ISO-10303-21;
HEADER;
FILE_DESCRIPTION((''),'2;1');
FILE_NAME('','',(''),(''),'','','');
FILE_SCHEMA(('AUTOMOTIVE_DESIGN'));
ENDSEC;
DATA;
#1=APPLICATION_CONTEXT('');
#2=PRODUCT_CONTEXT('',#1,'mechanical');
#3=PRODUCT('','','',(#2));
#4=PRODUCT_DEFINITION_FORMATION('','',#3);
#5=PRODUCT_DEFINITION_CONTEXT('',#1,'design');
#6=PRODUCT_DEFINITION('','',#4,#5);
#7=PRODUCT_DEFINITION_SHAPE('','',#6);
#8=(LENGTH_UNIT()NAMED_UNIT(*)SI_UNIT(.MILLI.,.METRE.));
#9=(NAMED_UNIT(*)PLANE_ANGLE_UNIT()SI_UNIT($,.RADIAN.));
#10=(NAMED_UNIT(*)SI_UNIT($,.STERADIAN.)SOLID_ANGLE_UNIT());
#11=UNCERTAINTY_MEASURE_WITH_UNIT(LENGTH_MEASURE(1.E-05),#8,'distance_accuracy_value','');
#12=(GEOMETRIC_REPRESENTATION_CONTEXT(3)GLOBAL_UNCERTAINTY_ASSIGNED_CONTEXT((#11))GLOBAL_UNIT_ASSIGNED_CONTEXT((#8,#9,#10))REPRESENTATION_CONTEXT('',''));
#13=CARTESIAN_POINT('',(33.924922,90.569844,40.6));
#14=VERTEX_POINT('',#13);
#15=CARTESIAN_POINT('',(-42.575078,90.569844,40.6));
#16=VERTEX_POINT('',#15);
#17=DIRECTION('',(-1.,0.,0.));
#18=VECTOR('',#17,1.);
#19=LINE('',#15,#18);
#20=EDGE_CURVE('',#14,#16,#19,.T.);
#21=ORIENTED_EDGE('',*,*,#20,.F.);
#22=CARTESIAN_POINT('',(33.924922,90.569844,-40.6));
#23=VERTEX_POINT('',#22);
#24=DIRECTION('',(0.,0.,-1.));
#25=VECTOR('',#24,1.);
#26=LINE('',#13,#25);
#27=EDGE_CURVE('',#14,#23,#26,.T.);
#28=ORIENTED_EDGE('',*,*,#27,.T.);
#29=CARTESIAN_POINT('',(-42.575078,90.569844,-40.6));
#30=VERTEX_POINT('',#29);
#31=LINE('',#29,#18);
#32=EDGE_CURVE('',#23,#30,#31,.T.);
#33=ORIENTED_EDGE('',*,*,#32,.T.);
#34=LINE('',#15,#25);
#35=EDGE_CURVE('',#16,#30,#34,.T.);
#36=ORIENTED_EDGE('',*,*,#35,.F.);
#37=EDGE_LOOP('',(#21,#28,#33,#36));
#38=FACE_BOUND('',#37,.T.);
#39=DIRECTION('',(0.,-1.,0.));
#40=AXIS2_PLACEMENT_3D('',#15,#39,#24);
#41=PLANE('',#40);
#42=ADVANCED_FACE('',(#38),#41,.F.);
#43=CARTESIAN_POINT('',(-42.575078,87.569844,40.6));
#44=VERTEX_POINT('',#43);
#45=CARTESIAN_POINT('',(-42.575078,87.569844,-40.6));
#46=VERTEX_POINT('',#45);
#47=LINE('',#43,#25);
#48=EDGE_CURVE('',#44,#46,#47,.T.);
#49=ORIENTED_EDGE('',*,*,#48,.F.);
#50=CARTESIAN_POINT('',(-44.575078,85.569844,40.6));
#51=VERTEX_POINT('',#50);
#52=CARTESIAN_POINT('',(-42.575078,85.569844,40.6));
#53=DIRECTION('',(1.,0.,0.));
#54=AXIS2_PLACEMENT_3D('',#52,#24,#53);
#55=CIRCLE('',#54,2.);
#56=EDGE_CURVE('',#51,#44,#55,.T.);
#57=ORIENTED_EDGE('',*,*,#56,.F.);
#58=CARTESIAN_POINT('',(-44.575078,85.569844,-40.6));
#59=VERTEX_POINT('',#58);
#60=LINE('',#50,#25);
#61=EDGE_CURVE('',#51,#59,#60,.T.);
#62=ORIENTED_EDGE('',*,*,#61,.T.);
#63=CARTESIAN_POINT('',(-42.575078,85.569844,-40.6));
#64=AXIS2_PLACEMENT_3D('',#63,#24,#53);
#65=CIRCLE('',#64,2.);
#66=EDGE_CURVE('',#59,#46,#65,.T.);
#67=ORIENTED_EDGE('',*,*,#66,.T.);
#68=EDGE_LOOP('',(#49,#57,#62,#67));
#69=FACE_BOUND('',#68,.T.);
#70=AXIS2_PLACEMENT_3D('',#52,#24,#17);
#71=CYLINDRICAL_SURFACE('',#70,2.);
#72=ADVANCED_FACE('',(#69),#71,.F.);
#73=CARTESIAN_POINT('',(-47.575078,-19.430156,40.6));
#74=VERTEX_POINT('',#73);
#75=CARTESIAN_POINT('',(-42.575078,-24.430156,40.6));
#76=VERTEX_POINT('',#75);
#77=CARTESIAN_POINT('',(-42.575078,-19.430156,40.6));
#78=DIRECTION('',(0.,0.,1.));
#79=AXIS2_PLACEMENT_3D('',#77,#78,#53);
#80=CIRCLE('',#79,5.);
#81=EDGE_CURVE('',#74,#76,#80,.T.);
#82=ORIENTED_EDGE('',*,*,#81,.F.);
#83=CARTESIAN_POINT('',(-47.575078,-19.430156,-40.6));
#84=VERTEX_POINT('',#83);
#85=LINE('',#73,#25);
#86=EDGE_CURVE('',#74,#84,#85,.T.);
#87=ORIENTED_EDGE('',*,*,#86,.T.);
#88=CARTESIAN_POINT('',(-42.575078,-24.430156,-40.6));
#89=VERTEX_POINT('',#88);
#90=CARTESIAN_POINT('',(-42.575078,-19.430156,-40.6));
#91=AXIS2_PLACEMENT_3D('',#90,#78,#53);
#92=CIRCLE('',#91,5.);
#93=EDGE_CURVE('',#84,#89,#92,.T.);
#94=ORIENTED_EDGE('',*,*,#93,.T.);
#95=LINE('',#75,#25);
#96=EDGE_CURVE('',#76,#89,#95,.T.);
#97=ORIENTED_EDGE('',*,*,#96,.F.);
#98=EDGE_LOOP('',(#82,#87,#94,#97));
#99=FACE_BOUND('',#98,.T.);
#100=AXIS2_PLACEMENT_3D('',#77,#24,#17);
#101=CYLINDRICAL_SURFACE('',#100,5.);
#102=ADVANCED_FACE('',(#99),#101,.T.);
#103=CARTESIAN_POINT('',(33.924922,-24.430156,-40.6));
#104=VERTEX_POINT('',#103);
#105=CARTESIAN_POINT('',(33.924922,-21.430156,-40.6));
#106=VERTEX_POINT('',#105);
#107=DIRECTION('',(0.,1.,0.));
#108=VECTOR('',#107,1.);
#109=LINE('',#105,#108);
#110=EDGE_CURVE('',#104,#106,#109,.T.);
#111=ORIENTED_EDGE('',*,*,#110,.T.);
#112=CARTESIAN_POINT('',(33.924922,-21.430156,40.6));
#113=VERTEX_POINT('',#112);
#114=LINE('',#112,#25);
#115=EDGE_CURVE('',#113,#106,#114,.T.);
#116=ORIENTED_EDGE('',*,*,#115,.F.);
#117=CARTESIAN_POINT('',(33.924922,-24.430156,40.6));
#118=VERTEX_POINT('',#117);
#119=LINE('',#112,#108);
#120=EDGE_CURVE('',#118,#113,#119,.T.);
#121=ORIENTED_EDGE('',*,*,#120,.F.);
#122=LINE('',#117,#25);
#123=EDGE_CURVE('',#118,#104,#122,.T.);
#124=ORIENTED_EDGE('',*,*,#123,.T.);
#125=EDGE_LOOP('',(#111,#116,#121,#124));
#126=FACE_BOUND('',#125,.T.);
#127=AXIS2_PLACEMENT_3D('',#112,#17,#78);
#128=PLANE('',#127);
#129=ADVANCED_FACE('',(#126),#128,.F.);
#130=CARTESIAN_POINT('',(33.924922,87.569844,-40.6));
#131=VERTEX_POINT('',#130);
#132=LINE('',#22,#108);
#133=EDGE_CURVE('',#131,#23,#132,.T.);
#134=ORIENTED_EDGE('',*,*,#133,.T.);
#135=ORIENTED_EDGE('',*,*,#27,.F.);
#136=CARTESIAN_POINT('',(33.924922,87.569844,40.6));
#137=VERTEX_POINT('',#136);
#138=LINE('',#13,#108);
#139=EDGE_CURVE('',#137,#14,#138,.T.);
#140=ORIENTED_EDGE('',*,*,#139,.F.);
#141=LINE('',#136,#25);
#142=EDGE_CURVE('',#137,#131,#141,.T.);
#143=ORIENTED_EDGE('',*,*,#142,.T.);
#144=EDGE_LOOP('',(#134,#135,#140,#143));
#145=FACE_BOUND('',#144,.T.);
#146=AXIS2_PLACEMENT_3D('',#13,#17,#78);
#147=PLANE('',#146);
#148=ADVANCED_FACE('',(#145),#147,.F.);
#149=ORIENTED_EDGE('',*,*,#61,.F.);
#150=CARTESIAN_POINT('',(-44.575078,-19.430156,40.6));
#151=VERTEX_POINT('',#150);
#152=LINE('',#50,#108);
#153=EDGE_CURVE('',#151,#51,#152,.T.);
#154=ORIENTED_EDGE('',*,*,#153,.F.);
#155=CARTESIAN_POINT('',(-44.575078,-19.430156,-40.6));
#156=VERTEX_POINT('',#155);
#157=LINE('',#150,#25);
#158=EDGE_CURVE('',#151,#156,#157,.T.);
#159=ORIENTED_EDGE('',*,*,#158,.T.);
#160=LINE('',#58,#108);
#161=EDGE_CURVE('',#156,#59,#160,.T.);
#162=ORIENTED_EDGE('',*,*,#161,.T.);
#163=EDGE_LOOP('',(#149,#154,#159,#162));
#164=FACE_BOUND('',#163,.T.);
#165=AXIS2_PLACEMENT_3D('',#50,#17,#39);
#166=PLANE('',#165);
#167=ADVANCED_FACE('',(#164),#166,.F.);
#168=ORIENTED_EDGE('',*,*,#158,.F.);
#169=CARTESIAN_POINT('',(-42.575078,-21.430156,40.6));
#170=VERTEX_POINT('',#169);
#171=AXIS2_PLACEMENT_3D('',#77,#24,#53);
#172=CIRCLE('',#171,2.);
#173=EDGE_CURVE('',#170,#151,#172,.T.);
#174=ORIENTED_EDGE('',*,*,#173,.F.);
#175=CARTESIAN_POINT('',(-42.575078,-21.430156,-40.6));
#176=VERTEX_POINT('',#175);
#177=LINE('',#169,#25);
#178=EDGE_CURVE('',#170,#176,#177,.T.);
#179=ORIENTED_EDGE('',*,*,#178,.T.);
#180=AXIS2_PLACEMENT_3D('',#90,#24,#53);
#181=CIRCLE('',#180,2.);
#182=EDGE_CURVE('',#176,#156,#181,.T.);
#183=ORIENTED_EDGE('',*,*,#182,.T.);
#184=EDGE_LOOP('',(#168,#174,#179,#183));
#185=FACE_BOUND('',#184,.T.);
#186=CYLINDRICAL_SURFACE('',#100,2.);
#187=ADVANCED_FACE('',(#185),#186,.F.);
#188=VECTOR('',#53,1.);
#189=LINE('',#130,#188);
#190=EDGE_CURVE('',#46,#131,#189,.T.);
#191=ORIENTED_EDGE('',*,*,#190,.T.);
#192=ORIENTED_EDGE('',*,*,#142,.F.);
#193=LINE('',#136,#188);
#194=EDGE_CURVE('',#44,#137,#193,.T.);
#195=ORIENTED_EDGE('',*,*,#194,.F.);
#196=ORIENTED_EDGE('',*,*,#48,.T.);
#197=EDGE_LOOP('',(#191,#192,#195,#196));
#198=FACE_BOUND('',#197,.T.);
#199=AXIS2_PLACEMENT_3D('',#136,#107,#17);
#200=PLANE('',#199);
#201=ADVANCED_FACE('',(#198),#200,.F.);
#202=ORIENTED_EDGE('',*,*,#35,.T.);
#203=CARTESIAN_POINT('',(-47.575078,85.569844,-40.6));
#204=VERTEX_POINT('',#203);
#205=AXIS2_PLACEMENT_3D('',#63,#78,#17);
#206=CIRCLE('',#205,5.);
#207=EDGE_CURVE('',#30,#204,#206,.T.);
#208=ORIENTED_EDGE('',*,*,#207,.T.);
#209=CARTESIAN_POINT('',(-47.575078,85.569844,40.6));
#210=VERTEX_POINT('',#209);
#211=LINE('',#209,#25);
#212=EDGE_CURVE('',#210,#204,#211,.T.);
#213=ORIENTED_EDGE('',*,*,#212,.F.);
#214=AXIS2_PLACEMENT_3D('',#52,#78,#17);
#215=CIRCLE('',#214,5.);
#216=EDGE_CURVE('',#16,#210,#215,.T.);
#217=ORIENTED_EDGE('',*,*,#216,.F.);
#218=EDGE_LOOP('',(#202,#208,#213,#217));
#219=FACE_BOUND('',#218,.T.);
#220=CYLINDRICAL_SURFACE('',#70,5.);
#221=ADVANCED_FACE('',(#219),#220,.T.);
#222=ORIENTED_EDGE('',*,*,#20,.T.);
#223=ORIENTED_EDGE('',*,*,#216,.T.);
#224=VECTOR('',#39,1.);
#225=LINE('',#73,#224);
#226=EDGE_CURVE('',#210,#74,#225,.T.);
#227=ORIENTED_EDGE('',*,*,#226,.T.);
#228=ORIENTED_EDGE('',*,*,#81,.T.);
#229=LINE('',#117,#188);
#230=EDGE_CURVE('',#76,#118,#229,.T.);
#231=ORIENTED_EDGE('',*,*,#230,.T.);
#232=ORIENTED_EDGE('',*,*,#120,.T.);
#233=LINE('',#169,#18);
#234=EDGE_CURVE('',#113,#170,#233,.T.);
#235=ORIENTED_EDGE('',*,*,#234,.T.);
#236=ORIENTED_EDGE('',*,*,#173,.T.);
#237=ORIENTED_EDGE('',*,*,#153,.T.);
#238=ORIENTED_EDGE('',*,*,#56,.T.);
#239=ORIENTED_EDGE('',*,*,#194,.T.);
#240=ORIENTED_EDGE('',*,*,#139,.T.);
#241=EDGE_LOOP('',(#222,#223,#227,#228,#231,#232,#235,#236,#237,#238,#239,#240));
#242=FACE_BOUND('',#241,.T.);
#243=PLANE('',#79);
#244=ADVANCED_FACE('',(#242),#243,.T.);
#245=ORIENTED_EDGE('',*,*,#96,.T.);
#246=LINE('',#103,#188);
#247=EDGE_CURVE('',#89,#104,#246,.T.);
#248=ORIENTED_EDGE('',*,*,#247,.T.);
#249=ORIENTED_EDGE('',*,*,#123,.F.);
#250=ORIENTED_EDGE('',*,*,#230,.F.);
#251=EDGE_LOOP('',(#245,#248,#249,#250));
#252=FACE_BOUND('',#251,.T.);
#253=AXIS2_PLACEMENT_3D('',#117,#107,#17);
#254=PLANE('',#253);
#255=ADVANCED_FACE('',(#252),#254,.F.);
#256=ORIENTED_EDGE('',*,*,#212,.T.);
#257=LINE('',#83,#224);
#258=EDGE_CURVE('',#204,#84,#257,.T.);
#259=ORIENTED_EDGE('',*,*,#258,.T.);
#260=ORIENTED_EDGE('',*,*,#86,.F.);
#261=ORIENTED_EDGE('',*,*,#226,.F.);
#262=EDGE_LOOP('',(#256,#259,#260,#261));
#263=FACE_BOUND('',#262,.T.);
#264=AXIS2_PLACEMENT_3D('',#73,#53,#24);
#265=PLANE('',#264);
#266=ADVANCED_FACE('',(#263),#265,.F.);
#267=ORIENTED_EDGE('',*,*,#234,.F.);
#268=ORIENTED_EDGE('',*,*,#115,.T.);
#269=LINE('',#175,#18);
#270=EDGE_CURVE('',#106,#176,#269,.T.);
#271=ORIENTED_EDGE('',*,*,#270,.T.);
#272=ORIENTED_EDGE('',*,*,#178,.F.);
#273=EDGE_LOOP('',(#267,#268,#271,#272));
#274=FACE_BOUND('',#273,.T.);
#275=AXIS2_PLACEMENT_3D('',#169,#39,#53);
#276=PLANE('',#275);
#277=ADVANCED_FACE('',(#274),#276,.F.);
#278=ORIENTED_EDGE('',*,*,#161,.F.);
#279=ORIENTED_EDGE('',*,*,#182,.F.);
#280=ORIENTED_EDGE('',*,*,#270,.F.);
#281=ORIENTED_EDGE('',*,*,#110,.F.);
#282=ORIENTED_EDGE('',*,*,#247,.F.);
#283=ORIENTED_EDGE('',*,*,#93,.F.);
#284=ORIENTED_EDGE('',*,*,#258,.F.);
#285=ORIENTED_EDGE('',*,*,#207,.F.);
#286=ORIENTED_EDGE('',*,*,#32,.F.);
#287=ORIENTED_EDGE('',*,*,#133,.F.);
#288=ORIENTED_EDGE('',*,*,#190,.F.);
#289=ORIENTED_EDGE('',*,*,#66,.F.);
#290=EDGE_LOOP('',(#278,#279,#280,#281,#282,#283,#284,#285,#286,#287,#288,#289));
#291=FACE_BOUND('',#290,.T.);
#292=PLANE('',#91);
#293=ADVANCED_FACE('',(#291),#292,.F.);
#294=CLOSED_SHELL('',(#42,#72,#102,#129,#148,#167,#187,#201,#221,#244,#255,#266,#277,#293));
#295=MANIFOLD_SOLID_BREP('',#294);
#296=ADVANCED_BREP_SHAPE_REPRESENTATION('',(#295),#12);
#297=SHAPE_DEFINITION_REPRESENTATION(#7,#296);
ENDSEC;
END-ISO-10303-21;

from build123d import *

# Parameters (mm, degrees)
EXTRUSION1_DEPTH = 40.6


with BuildPart() as part:
    # Esquisse1 → Extrusion1 (new, symmetric)
    with BuildSketch(Plane.XY):
        with BuildLine():
            Line((-47.575077806, -19.430156076), (-47.575077806, 85.569843924))
            ThreePointArc((-47.575077806, 85.569843924), (-46.110611712, 89.10537783), (-42.575077806, 90.569843924))
            Line((-42.575077806, 90.569843924), (33.924922194, 90.569843924))
            Line((33.924922194, 90.569843924), (33.924922194, 87.569843924))
            Line((33.924922194, 87.569843924), (-42.575077806, 87.569843924))
            ThreePointArc((-42.575077806, 87.569843924), (-43.989291368, 86.984057487), (-44.575077806, 85.569843924))
            Line((-44.575077806, 85.569843924), (-44.575077806, -19.430156076))
            ThreePointArc((-44.575077806, -19.430156076), (-43.989291368, -20.844369638), (-42.575077806, -21.430156076))
            Line((-42.575077806, -21.430156076), (33.924922194, -21.430156076))
            Line((33.924922194, -21.430156076), (33.924922194, -24.430156076))
            Line((33.924922194, -24.430156076), (-42.575077806, -24.430156076))
            ThreePointArc((-42.575077806, -24.430156076), (-46.110611712, -22.965689982), (-47.575077806, -19.430156076))
        make_face()
    extrude(amount=EXTRUSION1_DEPTH, both=True)


solid = part.part
